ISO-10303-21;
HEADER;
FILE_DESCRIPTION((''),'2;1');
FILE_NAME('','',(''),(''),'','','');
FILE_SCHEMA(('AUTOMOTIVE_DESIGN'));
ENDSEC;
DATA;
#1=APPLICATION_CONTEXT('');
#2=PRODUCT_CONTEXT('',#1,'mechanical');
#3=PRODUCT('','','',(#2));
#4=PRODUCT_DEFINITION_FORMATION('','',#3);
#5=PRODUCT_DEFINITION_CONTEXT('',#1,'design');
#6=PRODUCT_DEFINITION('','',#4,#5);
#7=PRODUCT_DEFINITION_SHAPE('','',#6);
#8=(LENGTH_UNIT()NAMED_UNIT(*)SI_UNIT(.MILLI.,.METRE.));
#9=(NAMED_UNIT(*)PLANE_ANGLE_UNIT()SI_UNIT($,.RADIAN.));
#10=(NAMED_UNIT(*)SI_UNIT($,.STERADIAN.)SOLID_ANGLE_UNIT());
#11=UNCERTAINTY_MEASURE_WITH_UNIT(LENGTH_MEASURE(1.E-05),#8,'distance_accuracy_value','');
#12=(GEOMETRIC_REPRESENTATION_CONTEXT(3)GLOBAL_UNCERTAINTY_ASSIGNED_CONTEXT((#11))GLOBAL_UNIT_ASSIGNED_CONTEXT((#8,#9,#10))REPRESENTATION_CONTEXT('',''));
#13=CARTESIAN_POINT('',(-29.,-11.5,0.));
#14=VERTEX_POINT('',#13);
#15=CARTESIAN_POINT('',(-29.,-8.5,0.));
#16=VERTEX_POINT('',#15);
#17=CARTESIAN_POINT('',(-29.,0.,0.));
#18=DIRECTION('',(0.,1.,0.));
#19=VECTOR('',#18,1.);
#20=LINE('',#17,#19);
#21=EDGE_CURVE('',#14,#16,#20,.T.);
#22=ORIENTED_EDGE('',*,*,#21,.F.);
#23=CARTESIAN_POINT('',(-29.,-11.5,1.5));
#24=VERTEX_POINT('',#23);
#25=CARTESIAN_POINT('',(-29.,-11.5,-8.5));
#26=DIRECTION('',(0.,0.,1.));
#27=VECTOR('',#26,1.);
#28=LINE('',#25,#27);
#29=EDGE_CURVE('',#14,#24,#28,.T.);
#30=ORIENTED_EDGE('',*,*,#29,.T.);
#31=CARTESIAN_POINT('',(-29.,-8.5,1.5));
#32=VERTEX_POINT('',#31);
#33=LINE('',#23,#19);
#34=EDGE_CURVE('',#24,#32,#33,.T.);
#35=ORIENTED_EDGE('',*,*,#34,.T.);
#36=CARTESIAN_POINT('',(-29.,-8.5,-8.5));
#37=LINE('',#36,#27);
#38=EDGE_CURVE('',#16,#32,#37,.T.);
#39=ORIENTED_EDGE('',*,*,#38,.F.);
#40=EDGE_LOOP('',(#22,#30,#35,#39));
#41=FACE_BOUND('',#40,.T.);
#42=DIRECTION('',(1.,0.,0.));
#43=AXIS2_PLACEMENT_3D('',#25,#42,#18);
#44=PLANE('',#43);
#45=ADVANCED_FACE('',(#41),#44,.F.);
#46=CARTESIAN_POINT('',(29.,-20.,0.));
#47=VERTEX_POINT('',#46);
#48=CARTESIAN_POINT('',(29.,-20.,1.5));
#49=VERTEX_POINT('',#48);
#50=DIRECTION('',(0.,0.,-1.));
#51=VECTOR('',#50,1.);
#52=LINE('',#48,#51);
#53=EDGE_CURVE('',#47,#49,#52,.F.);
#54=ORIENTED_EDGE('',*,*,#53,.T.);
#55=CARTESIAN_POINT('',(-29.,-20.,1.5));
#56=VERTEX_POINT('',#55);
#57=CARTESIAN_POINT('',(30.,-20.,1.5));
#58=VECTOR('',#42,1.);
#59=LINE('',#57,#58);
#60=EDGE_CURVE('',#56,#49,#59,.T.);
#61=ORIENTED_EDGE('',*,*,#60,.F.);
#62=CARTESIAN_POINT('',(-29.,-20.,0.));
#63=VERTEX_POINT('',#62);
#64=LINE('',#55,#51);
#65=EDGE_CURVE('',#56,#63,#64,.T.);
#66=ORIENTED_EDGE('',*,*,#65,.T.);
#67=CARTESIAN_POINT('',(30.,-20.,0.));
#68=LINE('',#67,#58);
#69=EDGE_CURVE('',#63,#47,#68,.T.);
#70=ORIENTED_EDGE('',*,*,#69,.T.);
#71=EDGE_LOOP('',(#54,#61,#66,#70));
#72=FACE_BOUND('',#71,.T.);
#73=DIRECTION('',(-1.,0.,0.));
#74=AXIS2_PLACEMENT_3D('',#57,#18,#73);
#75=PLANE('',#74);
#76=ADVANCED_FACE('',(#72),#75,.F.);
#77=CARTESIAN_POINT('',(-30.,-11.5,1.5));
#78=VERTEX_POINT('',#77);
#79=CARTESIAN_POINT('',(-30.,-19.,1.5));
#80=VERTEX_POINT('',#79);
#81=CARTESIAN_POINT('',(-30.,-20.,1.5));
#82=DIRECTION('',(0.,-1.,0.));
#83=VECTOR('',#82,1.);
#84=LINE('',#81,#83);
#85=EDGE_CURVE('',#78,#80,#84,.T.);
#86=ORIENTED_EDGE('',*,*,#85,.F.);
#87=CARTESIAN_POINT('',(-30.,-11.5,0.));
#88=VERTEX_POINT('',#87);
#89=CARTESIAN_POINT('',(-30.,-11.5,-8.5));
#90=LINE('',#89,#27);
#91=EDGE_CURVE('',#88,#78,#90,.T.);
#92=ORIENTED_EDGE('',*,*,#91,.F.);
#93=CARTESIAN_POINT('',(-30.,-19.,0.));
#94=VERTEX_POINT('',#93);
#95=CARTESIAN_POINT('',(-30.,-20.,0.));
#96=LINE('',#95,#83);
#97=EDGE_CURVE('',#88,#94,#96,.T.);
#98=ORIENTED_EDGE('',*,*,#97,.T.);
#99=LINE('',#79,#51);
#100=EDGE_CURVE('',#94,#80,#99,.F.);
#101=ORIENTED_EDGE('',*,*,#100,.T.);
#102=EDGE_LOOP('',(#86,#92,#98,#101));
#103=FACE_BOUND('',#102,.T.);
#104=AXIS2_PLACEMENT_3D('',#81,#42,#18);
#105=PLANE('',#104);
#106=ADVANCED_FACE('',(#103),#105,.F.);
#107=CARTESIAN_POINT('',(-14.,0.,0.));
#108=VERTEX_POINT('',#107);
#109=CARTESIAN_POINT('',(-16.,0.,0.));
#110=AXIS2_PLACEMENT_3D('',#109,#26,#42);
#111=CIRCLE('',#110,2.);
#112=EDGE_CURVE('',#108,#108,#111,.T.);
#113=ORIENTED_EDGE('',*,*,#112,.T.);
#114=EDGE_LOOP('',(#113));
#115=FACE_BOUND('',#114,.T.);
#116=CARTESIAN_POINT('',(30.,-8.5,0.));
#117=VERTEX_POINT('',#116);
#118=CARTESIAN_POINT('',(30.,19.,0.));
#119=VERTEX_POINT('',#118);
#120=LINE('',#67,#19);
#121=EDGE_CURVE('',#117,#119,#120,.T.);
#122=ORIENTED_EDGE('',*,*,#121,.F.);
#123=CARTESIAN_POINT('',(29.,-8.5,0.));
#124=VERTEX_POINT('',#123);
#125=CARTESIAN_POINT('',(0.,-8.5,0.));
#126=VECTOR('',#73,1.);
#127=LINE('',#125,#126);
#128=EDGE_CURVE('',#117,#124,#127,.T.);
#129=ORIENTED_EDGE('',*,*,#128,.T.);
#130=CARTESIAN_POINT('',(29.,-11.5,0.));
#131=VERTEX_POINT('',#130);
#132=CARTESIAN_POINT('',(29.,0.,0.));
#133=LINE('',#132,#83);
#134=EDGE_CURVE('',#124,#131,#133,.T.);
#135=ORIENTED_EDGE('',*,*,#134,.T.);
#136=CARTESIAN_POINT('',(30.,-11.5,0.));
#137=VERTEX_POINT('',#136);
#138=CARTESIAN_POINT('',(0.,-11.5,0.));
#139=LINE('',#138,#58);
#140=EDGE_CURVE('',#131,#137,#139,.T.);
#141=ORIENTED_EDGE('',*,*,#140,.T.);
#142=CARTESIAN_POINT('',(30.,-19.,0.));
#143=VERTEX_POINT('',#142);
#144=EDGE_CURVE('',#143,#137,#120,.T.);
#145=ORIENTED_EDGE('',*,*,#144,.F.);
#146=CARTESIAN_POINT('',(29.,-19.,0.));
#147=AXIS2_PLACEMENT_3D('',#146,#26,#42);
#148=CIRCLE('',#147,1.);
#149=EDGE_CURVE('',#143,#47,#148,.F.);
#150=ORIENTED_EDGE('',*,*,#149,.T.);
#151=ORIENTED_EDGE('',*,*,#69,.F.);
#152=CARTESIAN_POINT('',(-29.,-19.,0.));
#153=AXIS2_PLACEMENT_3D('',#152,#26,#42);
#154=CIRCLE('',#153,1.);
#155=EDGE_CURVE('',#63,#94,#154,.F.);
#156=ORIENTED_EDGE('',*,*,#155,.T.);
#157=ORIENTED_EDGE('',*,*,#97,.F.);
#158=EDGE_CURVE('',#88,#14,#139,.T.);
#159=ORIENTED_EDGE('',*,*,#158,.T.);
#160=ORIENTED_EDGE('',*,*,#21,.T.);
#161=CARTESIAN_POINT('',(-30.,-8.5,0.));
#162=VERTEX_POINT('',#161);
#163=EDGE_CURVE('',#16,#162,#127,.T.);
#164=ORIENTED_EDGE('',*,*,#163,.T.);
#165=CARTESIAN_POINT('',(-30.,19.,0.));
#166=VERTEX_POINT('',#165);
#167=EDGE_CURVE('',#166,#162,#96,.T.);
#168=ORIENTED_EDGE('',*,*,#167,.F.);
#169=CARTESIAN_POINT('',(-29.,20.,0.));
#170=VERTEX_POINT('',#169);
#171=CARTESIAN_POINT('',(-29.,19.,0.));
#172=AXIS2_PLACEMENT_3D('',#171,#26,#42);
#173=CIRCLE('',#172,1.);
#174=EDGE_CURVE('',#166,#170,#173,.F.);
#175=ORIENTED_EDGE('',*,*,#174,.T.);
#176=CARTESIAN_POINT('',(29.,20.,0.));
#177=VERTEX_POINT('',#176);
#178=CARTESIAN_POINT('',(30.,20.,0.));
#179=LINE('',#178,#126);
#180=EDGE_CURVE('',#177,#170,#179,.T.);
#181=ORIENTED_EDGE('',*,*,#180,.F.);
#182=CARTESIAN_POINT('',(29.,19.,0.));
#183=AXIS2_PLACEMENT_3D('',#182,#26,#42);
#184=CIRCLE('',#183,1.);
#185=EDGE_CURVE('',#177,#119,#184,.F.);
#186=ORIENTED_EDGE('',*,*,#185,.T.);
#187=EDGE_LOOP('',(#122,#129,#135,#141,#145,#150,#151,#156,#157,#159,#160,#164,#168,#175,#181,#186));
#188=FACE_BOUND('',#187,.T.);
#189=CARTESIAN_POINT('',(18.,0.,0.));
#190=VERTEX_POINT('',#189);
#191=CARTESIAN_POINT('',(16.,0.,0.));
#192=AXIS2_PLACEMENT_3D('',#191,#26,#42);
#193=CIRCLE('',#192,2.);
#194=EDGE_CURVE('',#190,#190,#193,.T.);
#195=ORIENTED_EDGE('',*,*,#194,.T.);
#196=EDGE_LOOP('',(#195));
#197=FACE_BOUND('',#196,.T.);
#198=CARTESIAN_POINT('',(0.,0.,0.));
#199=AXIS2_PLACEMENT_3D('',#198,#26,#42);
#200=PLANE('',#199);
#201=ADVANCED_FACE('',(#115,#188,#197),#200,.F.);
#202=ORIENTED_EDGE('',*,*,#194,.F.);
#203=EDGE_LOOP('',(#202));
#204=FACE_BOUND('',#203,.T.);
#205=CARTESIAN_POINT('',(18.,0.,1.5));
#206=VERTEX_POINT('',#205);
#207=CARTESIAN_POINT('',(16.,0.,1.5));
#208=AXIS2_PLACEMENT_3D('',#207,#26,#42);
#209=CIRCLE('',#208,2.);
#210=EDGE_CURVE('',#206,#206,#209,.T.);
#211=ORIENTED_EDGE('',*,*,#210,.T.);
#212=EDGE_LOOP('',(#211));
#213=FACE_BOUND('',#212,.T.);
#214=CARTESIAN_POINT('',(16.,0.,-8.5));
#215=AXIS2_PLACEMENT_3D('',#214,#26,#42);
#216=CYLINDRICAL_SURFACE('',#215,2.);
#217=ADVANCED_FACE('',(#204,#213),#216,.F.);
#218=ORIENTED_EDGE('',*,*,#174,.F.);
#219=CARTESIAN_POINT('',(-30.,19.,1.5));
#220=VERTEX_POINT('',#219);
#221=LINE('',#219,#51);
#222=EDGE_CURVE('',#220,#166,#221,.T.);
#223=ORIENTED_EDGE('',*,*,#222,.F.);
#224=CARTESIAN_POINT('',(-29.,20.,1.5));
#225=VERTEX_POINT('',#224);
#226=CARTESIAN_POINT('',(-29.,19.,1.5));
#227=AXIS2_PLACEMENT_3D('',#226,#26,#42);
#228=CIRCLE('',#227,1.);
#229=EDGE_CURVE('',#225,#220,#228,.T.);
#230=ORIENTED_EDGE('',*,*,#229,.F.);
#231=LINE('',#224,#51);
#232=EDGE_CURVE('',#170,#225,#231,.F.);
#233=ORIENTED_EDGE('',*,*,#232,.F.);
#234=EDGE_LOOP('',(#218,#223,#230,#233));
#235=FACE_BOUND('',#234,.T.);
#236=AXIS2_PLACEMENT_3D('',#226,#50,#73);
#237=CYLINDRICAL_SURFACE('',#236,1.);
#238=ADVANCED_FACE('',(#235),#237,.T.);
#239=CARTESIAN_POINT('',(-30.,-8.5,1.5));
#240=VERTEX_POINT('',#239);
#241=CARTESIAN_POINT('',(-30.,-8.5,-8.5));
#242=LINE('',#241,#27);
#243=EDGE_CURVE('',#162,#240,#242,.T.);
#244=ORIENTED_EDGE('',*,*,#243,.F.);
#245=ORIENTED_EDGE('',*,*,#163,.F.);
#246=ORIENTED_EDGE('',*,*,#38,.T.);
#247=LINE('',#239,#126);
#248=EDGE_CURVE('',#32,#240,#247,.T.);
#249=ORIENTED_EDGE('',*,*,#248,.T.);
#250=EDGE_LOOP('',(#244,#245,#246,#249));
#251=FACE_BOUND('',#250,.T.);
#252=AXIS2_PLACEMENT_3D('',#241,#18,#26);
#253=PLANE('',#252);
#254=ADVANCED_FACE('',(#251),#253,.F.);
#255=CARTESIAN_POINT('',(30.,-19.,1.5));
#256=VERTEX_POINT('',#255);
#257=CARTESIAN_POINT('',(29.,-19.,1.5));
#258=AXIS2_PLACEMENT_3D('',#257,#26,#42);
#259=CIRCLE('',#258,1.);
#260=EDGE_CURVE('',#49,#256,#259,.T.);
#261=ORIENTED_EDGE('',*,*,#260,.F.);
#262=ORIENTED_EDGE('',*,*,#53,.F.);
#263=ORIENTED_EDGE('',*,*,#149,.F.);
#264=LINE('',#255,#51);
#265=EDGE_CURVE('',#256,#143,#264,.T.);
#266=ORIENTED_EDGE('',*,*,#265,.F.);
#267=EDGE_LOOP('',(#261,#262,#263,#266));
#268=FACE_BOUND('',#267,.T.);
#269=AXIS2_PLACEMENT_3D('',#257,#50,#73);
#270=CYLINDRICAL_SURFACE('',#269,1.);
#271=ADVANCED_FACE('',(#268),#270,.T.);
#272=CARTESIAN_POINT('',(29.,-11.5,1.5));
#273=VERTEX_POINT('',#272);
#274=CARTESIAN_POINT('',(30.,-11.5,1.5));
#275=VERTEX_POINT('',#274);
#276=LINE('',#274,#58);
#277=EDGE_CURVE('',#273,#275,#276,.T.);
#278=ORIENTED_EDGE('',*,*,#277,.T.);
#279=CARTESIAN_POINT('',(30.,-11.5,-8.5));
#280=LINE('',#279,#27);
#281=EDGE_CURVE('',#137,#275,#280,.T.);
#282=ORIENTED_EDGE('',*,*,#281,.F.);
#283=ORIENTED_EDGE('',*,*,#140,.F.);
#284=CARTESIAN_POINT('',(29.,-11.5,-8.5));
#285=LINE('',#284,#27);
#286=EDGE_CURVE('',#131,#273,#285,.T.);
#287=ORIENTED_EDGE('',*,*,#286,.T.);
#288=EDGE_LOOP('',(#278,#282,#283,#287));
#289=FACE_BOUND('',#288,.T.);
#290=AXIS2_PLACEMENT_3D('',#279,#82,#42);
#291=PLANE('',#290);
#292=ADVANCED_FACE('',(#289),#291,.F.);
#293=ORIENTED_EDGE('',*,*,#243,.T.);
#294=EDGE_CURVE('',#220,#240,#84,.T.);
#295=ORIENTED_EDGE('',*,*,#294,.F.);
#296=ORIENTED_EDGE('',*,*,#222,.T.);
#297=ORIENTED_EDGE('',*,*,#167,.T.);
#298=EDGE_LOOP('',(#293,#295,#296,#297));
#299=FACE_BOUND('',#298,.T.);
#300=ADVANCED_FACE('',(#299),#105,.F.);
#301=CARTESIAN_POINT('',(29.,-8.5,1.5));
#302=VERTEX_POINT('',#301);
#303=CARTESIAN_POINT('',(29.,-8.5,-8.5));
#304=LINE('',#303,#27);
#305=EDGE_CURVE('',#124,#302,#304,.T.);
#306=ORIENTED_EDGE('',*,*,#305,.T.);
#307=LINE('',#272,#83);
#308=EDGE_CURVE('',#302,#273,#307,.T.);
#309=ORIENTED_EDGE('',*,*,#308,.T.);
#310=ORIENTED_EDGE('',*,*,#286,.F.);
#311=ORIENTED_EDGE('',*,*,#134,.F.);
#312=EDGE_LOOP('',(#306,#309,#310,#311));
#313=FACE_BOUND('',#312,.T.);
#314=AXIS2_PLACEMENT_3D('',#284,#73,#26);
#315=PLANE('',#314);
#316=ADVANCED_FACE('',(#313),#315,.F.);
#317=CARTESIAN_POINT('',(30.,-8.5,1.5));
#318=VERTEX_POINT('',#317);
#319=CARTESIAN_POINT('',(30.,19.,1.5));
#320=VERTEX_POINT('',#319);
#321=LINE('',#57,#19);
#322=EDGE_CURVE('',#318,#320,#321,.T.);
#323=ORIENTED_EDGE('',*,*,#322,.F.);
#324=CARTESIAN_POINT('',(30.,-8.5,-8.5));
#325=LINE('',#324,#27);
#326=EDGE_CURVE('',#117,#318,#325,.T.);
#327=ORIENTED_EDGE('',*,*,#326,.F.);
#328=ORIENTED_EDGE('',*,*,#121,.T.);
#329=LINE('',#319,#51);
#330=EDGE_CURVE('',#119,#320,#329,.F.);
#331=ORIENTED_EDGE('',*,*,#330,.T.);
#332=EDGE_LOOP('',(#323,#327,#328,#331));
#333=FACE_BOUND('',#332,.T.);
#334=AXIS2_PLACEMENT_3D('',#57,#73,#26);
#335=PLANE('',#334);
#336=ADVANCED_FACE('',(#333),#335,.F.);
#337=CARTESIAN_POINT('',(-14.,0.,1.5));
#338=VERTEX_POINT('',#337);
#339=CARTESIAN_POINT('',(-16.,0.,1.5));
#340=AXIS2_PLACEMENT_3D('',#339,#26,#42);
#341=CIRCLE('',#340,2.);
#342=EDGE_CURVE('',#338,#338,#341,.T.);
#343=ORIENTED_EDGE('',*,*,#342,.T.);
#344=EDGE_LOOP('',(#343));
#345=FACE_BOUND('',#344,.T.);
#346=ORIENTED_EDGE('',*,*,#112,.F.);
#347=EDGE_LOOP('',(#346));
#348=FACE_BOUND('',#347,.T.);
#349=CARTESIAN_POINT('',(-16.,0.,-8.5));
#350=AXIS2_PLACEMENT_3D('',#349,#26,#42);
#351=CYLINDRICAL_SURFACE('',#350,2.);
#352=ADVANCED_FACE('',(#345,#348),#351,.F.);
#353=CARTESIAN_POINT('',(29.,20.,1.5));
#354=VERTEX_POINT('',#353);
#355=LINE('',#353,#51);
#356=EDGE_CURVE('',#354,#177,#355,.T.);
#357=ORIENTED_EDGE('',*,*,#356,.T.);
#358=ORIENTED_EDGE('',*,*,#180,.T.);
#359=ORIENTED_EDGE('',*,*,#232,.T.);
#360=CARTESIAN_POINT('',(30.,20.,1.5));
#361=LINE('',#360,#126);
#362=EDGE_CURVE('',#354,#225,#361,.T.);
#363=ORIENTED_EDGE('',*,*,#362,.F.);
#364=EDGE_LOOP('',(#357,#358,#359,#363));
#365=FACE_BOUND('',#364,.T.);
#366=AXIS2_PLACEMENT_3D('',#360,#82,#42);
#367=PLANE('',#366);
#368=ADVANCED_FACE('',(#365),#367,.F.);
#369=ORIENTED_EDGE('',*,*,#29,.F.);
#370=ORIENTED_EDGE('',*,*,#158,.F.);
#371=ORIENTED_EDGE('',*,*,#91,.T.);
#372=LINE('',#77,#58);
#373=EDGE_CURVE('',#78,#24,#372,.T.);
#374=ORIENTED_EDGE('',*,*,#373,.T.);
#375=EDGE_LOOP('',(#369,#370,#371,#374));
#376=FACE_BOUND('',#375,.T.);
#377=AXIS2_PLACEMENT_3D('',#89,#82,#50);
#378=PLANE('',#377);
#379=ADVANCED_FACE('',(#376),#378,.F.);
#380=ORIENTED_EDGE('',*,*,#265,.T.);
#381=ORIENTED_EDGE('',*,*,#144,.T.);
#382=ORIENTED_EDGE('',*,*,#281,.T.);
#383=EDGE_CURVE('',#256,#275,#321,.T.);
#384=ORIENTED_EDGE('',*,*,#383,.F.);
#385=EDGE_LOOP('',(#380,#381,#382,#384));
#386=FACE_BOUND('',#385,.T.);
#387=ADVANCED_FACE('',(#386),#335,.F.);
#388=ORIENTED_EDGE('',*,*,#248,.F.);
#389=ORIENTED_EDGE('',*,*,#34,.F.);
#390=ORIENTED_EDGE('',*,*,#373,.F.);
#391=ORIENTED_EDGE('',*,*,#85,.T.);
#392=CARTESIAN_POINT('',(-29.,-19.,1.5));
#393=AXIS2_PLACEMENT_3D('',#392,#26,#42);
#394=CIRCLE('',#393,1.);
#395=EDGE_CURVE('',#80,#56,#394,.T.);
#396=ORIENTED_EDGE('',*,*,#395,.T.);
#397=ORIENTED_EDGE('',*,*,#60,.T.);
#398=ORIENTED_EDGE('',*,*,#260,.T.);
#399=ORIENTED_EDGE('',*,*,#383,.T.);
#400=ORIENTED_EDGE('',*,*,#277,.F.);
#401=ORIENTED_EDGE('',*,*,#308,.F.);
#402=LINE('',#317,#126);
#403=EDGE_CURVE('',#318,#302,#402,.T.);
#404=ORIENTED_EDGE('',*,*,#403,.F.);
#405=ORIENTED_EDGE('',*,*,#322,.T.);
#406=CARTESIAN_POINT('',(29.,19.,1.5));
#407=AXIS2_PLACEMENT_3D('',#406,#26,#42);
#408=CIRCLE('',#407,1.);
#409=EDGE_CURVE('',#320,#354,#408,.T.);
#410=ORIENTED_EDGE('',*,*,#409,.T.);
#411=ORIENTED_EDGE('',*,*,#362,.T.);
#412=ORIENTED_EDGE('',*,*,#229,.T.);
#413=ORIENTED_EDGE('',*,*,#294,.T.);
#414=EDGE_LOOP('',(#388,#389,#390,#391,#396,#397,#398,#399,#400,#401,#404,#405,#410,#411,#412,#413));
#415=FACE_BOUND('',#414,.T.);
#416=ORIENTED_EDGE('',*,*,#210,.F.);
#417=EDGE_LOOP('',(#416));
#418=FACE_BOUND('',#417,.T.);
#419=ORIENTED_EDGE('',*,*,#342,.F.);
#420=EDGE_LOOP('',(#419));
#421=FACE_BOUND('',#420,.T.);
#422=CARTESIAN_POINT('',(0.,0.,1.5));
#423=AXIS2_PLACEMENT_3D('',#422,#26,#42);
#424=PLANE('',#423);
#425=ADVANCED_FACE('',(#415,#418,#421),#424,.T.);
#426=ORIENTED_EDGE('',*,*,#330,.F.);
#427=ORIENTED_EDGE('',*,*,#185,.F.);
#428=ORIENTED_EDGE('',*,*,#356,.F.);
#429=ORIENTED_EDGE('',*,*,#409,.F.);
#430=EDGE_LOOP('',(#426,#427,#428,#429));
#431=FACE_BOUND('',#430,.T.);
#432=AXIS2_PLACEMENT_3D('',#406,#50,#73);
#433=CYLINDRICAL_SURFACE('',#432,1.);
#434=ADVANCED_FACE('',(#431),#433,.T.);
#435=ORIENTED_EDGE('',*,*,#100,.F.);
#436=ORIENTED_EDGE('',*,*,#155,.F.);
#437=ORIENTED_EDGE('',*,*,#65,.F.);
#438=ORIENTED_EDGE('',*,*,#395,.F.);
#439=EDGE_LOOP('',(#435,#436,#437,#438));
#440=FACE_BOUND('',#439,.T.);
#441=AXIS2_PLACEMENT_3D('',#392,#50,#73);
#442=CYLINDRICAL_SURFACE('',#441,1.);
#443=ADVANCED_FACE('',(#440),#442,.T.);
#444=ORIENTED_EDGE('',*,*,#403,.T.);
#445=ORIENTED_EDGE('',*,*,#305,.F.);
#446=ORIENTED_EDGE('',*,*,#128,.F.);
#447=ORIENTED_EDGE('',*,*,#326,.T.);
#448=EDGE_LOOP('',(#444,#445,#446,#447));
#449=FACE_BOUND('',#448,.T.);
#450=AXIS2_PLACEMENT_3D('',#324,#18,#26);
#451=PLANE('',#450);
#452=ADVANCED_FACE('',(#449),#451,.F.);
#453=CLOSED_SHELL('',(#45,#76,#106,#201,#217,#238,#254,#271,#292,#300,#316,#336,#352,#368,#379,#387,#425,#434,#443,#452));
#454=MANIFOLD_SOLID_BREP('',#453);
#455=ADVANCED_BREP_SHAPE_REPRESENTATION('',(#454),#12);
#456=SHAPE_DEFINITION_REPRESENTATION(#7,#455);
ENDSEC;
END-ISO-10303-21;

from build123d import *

# Parameters (mm, degrees)
SKETCH_1_W          = 60
SKETCH_1_H          = 40
EXTRUDE_1_DEPTH     = 1.5
SKETCH_3_R          = 2
CUT_EXTRUDE_1_DEPTH = 10
SKETCH_4_W          = 1
SKETCH_4_H          = 3
CUT_EXTRUDE_2_DEPTH = 10
FILLET_1_R          = 1


with BuildPart() as part:
    # 草图1 → 凸台-拉伸1 (new body)
    with BuildSketch(Plane.XY):
        Rectangle(SKETCH_1_W, SKETCH_1_H)
    extrude(amount=EXTRUDE_1_DEPTH)

    # 草图3 → 切除-拉伸1 (cut)
    with BuildSketch(Plane.XY.offset(1.5)):
        with Locations((-16, 0)):
            Circle(SKETCH_3_R)
        with Locations((16, 0)):
            Circle(SKETCH_3_R)
    extrude(amount=-CUT_EXTRUDE_1_DEPTH, mode=Mode.SUBTRACT)

    # 草图4 → 切除-拉伸2 (cut)
    with BuildSketch(Plane.XY.offset(1.5)):
        with Locations((-29.5, -10)):
            Rectangle(SKETCH_4_W, SKETCH_4_H)
        with Locations((29.5, -10)):
            Rectangle(SKETCH_4_W, SKETCH_4_H)
    extrude(amount=-CUT_EXTRUDE_2_DEPTH, mode=Mode.SUBTRACT)

    # 圆角1
    fillet_1_edges = [part.edges().sort_by_distance(p)[0] for p in [
        (-30, 20, 0.75),
        (30, 20, 0.75),
        (30, -20, 0.75),
        (-30, -20, 0.75),
    ]]
    fillet(fillet_1_edges, radius=FILLET_1_R)


solid = part.part
